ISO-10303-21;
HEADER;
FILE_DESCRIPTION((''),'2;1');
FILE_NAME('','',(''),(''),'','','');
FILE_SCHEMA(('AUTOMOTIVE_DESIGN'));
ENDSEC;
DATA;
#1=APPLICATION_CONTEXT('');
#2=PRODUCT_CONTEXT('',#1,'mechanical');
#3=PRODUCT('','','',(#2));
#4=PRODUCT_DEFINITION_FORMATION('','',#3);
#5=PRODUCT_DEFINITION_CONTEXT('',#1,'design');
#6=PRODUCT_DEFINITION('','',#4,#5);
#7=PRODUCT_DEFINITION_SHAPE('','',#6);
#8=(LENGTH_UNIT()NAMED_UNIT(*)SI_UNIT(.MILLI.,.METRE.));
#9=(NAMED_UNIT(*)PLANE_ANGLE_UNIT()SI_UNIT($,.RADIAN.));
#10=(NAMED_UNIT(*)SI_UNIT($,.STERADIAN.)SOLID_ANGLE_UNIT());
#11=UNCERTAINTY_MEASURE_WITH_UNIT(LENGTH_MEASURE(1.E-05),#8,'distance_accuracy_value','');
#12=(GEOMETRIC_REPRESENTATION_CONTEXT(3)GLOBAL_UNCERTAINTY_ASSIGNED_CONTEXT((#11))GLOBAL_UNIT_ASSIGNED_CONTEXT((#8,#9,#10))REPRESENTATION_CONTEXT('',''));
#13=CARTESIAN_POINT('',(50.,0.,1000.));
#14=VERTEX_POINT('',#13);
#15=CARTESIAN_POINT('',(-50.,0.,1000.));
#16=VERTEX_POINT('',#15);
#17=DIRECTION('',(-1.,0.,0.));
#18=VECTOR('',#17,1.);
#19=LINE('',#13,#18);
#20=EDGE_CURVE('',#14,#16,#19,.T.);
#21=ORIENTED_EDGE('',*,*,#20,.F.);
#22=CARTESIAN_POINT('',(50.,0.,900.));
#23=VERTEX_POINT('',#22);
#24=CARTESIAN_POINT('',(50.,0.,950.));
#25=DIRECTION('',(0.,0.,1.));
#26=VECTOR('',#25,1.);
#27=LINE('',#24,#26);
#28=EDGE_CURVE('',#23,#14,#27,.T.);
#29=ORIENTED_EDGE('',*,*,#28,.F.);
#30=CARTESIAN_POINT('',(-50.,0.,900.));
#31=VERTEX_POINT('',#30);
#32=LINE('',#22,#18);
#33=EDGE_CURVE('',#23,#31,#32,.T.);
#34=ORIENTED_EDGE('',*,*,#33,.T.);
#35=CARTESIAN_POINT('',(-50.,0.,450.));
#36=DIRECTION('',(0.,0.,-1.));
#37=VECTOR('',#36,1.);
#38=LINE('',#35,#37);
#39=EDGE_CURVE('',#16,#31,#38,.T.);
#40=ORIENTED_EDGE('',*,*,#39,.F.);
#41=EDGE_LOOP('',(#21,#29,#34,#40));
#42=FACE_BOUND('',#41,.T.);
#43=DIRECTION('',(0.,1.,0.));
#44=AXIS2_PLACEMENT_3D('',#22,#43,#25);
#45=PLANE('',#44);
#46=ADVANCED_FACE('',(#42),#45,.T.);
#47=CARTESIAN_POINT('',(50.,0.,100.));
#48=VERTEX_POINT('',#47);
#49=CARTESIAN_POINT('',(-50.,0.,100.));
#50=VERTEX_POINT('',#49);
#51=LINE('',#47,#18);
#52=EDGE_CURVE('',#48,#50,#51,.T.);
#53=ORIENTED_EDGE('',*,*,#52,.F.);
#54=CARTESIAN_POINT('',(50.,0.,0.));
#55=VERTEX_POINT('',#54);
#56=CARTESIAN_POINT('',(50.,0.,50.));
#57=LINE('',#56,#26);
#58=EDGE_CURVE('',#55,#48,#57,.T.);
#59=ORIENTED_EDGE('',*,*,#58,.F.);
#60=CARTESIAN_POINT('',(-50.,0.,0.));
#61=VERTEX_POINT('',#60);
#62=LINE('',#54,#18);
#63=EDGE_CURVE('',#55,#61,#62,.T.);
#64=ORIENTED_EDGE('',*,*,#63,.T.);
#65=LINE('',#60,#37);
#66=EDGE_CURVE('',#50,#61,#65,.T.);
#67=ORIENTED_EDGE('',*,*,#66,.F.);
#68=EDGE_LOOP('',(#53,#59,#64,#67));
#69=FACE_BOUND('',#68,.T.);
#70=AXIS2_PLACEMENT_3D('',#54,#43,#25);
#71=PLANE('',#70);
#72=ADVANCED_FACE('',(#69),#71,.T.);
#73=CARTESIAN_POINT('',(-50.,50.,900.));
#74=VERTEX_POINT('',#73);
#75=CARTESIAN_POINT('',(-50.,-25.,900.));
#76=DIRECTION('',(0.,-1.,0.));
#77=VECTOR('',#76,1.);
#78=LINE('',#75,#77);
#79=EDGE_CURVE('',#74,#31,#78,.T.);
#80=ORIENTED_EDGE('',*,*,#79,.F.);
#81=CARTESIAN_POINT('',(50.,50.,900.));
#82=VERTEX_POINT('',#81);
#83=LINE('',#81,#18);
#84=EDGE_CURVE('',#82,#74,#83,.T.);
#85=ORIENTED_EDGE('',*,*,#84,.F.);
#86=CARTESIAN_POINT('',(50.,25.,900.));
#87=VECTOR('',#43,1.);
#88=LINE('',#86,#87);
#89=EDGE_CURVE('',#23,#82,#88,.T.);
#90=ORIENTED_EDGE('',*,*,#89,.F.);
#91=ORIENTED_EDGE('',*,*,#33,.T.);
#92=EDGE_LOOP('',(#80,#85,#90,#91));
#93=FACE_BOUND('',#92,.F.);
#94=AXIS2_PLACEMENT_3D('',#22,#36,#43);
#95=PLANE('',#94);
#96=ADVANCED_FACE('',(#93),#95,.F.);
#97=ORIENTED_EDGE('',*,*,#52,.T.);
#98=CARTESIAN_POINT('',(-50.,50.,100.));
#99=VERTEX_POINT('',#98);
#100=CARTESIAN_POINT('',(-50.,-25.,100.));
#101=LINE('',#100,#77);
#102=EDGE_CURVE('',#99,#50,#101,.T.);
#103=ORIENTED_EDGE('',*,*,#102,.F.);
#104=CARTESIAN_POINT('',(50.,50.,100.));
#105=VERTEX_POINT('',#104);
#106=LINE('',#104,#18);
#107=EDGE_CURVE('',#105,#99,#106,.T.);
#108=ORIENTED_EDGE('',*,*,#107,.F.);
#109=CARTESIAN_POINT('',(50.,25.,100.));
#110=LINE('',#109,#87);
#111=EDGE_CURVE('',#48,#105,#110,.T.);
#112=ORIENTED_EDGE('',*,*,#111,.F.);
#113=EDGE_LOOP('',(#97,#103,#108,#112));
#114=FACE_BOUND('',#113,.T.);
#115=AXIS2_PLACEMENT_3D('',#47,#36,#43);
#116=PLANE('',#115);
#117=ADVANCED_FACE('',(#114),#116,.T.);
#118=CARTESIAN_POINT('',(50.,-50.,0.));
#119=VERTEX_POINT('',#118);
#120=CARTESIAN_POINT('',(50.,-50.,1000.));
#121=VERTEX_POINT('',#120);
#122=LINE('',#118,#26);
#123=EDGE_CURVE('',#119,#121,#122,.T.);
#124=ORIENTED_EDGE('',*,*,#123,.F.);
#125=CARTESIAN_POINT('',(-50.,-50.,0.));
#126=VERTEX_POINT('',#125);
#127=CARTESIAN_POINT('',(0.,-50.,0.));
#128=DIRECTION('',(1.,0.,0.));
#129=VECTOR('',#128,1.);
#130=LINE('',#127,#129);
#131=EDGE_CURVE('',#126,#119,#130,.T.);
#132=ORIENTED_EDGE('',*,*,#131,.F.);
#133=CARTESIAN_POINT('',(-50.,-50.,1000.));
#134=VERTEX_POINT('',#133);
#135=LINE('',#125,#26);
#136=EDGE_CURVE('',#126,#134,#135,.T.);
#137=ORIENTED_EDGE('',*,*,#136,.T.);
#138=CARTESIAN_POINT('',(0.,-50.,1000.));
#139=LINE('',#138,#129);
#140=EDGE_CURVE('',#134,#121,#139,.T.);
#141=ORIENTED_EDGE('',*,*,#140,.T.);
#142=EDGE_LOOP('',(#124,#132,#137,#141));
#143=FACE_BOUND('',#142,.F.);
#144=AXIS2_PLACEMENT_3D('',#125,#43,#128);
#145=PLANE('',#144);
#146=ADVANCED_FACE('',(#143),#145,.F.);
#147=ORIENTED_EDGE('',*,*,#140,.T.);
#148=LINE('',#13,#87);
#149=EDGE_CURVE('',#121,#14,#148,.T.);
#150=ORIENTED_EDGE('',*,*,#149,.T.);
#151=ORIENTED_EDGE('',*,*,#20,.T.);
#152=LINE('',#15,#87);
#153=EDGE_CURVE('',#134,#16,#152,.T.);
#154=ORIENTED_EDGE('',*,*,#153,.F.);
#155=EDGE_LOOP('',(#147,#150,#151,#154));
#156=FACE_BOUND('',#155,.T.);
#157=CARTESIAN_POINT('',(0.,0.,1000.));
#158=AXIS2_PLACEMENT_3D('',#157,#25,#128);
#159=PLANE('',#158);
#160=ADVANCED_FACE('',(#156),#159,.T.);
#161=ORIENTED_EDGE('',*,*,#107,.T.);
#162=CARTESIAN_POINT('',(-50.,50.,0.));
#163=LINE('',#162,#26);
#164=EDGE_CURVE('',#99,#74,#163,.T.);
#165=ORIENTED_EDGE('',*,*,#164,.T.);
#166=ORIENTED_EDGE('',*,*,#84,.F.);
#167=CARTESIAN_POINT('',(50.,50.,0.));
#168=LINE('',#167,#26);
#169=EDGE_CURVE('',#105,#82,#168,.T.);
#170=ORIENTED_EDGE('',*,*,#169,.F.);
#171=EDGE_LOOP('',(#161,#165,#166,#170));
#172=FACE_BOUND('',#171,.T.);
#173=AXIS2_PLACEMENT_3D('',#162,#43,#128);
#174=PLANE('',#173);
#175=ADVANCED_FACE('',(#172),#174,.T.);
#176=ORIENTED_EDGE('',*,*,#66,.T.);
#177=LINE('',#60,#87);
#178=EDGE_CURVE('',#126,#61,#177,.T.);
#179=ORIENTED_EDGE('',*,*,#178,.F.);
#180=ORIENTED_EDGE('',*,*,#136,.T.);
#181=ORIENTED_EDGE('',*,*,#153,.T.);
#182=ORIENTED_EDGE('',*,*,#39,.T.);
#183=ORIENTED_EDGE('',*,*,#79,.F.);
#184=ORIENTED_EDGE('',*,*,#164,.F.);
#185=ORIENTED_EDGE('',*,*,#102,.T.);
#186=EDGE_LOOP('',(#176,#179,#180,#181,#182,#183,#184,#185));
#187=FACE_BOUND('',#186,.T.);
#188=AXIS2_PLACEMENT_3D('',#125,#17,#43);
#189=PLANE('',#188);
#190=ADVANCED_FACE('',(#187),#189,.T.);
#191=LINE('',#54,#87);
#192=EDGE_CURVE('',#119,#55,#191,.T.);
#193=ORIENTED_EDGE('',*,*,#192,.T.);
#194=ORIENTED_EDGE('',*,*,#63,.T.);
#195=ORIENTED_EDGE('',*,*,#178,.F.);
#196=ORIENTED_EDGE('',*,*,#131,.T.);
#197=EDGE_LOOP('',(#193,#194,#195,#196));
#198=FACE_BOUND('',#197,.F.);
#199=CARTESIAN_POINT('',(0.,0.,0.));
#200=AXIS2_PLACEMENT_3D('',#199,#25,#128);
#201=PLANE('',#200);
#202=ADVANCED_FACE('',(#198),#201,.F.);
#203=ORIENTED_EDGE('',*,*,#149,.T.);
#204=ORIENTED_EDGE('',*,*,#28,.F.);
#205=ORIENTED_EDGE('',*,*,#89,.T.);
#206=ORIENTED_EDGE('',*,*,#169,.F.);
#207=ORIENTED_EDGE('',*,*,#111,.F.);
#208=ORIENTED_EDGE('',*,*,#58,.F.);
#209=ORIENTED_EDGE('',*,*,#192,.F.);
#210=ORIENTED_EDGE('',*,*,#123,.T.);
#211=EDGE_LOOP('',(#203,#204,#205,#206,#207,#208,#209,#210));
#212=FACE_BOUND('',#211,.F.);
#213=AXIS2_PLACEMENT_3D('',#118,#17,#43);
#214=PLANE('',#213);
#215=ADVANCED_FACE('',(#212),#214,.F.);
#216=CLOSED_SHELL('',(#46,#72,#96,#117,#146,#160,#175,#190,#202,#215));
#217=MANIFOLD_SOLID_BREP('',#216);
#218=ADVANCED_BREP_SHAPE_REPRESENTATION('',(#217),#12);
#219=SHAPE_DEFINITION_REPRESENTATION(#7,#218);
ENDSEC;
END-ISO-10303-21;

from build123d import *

# Parameters (mm, degrees)
F0_W     = 100
F0_H     = 100
F1_DEPTH = 1000
F2_W     = 50
F2_H     = 100
F3_DEPTH = 100.001


with BuildPart() as f1:
    # F0 (on Top) → F1 (new body)
    with BuildSketch(Plane.XY):
        Rectangle(F0_W, F0_H)
    extrude(amount=F1_DEPTH)

    # F2 (on face) → F3 (cut, through all)
    with BuildSketch(Plane.YZ.offset(50)):
        with Locations((25, 50)):
            Rectangle(F2_W, F2_H)
        with Locations((25, 950)):
            Rectangle(F2_W, F2_H)
    extrude(amount=-F3_DEPTH, mode=Mode.SUBTRACT)


solid = f1.part
